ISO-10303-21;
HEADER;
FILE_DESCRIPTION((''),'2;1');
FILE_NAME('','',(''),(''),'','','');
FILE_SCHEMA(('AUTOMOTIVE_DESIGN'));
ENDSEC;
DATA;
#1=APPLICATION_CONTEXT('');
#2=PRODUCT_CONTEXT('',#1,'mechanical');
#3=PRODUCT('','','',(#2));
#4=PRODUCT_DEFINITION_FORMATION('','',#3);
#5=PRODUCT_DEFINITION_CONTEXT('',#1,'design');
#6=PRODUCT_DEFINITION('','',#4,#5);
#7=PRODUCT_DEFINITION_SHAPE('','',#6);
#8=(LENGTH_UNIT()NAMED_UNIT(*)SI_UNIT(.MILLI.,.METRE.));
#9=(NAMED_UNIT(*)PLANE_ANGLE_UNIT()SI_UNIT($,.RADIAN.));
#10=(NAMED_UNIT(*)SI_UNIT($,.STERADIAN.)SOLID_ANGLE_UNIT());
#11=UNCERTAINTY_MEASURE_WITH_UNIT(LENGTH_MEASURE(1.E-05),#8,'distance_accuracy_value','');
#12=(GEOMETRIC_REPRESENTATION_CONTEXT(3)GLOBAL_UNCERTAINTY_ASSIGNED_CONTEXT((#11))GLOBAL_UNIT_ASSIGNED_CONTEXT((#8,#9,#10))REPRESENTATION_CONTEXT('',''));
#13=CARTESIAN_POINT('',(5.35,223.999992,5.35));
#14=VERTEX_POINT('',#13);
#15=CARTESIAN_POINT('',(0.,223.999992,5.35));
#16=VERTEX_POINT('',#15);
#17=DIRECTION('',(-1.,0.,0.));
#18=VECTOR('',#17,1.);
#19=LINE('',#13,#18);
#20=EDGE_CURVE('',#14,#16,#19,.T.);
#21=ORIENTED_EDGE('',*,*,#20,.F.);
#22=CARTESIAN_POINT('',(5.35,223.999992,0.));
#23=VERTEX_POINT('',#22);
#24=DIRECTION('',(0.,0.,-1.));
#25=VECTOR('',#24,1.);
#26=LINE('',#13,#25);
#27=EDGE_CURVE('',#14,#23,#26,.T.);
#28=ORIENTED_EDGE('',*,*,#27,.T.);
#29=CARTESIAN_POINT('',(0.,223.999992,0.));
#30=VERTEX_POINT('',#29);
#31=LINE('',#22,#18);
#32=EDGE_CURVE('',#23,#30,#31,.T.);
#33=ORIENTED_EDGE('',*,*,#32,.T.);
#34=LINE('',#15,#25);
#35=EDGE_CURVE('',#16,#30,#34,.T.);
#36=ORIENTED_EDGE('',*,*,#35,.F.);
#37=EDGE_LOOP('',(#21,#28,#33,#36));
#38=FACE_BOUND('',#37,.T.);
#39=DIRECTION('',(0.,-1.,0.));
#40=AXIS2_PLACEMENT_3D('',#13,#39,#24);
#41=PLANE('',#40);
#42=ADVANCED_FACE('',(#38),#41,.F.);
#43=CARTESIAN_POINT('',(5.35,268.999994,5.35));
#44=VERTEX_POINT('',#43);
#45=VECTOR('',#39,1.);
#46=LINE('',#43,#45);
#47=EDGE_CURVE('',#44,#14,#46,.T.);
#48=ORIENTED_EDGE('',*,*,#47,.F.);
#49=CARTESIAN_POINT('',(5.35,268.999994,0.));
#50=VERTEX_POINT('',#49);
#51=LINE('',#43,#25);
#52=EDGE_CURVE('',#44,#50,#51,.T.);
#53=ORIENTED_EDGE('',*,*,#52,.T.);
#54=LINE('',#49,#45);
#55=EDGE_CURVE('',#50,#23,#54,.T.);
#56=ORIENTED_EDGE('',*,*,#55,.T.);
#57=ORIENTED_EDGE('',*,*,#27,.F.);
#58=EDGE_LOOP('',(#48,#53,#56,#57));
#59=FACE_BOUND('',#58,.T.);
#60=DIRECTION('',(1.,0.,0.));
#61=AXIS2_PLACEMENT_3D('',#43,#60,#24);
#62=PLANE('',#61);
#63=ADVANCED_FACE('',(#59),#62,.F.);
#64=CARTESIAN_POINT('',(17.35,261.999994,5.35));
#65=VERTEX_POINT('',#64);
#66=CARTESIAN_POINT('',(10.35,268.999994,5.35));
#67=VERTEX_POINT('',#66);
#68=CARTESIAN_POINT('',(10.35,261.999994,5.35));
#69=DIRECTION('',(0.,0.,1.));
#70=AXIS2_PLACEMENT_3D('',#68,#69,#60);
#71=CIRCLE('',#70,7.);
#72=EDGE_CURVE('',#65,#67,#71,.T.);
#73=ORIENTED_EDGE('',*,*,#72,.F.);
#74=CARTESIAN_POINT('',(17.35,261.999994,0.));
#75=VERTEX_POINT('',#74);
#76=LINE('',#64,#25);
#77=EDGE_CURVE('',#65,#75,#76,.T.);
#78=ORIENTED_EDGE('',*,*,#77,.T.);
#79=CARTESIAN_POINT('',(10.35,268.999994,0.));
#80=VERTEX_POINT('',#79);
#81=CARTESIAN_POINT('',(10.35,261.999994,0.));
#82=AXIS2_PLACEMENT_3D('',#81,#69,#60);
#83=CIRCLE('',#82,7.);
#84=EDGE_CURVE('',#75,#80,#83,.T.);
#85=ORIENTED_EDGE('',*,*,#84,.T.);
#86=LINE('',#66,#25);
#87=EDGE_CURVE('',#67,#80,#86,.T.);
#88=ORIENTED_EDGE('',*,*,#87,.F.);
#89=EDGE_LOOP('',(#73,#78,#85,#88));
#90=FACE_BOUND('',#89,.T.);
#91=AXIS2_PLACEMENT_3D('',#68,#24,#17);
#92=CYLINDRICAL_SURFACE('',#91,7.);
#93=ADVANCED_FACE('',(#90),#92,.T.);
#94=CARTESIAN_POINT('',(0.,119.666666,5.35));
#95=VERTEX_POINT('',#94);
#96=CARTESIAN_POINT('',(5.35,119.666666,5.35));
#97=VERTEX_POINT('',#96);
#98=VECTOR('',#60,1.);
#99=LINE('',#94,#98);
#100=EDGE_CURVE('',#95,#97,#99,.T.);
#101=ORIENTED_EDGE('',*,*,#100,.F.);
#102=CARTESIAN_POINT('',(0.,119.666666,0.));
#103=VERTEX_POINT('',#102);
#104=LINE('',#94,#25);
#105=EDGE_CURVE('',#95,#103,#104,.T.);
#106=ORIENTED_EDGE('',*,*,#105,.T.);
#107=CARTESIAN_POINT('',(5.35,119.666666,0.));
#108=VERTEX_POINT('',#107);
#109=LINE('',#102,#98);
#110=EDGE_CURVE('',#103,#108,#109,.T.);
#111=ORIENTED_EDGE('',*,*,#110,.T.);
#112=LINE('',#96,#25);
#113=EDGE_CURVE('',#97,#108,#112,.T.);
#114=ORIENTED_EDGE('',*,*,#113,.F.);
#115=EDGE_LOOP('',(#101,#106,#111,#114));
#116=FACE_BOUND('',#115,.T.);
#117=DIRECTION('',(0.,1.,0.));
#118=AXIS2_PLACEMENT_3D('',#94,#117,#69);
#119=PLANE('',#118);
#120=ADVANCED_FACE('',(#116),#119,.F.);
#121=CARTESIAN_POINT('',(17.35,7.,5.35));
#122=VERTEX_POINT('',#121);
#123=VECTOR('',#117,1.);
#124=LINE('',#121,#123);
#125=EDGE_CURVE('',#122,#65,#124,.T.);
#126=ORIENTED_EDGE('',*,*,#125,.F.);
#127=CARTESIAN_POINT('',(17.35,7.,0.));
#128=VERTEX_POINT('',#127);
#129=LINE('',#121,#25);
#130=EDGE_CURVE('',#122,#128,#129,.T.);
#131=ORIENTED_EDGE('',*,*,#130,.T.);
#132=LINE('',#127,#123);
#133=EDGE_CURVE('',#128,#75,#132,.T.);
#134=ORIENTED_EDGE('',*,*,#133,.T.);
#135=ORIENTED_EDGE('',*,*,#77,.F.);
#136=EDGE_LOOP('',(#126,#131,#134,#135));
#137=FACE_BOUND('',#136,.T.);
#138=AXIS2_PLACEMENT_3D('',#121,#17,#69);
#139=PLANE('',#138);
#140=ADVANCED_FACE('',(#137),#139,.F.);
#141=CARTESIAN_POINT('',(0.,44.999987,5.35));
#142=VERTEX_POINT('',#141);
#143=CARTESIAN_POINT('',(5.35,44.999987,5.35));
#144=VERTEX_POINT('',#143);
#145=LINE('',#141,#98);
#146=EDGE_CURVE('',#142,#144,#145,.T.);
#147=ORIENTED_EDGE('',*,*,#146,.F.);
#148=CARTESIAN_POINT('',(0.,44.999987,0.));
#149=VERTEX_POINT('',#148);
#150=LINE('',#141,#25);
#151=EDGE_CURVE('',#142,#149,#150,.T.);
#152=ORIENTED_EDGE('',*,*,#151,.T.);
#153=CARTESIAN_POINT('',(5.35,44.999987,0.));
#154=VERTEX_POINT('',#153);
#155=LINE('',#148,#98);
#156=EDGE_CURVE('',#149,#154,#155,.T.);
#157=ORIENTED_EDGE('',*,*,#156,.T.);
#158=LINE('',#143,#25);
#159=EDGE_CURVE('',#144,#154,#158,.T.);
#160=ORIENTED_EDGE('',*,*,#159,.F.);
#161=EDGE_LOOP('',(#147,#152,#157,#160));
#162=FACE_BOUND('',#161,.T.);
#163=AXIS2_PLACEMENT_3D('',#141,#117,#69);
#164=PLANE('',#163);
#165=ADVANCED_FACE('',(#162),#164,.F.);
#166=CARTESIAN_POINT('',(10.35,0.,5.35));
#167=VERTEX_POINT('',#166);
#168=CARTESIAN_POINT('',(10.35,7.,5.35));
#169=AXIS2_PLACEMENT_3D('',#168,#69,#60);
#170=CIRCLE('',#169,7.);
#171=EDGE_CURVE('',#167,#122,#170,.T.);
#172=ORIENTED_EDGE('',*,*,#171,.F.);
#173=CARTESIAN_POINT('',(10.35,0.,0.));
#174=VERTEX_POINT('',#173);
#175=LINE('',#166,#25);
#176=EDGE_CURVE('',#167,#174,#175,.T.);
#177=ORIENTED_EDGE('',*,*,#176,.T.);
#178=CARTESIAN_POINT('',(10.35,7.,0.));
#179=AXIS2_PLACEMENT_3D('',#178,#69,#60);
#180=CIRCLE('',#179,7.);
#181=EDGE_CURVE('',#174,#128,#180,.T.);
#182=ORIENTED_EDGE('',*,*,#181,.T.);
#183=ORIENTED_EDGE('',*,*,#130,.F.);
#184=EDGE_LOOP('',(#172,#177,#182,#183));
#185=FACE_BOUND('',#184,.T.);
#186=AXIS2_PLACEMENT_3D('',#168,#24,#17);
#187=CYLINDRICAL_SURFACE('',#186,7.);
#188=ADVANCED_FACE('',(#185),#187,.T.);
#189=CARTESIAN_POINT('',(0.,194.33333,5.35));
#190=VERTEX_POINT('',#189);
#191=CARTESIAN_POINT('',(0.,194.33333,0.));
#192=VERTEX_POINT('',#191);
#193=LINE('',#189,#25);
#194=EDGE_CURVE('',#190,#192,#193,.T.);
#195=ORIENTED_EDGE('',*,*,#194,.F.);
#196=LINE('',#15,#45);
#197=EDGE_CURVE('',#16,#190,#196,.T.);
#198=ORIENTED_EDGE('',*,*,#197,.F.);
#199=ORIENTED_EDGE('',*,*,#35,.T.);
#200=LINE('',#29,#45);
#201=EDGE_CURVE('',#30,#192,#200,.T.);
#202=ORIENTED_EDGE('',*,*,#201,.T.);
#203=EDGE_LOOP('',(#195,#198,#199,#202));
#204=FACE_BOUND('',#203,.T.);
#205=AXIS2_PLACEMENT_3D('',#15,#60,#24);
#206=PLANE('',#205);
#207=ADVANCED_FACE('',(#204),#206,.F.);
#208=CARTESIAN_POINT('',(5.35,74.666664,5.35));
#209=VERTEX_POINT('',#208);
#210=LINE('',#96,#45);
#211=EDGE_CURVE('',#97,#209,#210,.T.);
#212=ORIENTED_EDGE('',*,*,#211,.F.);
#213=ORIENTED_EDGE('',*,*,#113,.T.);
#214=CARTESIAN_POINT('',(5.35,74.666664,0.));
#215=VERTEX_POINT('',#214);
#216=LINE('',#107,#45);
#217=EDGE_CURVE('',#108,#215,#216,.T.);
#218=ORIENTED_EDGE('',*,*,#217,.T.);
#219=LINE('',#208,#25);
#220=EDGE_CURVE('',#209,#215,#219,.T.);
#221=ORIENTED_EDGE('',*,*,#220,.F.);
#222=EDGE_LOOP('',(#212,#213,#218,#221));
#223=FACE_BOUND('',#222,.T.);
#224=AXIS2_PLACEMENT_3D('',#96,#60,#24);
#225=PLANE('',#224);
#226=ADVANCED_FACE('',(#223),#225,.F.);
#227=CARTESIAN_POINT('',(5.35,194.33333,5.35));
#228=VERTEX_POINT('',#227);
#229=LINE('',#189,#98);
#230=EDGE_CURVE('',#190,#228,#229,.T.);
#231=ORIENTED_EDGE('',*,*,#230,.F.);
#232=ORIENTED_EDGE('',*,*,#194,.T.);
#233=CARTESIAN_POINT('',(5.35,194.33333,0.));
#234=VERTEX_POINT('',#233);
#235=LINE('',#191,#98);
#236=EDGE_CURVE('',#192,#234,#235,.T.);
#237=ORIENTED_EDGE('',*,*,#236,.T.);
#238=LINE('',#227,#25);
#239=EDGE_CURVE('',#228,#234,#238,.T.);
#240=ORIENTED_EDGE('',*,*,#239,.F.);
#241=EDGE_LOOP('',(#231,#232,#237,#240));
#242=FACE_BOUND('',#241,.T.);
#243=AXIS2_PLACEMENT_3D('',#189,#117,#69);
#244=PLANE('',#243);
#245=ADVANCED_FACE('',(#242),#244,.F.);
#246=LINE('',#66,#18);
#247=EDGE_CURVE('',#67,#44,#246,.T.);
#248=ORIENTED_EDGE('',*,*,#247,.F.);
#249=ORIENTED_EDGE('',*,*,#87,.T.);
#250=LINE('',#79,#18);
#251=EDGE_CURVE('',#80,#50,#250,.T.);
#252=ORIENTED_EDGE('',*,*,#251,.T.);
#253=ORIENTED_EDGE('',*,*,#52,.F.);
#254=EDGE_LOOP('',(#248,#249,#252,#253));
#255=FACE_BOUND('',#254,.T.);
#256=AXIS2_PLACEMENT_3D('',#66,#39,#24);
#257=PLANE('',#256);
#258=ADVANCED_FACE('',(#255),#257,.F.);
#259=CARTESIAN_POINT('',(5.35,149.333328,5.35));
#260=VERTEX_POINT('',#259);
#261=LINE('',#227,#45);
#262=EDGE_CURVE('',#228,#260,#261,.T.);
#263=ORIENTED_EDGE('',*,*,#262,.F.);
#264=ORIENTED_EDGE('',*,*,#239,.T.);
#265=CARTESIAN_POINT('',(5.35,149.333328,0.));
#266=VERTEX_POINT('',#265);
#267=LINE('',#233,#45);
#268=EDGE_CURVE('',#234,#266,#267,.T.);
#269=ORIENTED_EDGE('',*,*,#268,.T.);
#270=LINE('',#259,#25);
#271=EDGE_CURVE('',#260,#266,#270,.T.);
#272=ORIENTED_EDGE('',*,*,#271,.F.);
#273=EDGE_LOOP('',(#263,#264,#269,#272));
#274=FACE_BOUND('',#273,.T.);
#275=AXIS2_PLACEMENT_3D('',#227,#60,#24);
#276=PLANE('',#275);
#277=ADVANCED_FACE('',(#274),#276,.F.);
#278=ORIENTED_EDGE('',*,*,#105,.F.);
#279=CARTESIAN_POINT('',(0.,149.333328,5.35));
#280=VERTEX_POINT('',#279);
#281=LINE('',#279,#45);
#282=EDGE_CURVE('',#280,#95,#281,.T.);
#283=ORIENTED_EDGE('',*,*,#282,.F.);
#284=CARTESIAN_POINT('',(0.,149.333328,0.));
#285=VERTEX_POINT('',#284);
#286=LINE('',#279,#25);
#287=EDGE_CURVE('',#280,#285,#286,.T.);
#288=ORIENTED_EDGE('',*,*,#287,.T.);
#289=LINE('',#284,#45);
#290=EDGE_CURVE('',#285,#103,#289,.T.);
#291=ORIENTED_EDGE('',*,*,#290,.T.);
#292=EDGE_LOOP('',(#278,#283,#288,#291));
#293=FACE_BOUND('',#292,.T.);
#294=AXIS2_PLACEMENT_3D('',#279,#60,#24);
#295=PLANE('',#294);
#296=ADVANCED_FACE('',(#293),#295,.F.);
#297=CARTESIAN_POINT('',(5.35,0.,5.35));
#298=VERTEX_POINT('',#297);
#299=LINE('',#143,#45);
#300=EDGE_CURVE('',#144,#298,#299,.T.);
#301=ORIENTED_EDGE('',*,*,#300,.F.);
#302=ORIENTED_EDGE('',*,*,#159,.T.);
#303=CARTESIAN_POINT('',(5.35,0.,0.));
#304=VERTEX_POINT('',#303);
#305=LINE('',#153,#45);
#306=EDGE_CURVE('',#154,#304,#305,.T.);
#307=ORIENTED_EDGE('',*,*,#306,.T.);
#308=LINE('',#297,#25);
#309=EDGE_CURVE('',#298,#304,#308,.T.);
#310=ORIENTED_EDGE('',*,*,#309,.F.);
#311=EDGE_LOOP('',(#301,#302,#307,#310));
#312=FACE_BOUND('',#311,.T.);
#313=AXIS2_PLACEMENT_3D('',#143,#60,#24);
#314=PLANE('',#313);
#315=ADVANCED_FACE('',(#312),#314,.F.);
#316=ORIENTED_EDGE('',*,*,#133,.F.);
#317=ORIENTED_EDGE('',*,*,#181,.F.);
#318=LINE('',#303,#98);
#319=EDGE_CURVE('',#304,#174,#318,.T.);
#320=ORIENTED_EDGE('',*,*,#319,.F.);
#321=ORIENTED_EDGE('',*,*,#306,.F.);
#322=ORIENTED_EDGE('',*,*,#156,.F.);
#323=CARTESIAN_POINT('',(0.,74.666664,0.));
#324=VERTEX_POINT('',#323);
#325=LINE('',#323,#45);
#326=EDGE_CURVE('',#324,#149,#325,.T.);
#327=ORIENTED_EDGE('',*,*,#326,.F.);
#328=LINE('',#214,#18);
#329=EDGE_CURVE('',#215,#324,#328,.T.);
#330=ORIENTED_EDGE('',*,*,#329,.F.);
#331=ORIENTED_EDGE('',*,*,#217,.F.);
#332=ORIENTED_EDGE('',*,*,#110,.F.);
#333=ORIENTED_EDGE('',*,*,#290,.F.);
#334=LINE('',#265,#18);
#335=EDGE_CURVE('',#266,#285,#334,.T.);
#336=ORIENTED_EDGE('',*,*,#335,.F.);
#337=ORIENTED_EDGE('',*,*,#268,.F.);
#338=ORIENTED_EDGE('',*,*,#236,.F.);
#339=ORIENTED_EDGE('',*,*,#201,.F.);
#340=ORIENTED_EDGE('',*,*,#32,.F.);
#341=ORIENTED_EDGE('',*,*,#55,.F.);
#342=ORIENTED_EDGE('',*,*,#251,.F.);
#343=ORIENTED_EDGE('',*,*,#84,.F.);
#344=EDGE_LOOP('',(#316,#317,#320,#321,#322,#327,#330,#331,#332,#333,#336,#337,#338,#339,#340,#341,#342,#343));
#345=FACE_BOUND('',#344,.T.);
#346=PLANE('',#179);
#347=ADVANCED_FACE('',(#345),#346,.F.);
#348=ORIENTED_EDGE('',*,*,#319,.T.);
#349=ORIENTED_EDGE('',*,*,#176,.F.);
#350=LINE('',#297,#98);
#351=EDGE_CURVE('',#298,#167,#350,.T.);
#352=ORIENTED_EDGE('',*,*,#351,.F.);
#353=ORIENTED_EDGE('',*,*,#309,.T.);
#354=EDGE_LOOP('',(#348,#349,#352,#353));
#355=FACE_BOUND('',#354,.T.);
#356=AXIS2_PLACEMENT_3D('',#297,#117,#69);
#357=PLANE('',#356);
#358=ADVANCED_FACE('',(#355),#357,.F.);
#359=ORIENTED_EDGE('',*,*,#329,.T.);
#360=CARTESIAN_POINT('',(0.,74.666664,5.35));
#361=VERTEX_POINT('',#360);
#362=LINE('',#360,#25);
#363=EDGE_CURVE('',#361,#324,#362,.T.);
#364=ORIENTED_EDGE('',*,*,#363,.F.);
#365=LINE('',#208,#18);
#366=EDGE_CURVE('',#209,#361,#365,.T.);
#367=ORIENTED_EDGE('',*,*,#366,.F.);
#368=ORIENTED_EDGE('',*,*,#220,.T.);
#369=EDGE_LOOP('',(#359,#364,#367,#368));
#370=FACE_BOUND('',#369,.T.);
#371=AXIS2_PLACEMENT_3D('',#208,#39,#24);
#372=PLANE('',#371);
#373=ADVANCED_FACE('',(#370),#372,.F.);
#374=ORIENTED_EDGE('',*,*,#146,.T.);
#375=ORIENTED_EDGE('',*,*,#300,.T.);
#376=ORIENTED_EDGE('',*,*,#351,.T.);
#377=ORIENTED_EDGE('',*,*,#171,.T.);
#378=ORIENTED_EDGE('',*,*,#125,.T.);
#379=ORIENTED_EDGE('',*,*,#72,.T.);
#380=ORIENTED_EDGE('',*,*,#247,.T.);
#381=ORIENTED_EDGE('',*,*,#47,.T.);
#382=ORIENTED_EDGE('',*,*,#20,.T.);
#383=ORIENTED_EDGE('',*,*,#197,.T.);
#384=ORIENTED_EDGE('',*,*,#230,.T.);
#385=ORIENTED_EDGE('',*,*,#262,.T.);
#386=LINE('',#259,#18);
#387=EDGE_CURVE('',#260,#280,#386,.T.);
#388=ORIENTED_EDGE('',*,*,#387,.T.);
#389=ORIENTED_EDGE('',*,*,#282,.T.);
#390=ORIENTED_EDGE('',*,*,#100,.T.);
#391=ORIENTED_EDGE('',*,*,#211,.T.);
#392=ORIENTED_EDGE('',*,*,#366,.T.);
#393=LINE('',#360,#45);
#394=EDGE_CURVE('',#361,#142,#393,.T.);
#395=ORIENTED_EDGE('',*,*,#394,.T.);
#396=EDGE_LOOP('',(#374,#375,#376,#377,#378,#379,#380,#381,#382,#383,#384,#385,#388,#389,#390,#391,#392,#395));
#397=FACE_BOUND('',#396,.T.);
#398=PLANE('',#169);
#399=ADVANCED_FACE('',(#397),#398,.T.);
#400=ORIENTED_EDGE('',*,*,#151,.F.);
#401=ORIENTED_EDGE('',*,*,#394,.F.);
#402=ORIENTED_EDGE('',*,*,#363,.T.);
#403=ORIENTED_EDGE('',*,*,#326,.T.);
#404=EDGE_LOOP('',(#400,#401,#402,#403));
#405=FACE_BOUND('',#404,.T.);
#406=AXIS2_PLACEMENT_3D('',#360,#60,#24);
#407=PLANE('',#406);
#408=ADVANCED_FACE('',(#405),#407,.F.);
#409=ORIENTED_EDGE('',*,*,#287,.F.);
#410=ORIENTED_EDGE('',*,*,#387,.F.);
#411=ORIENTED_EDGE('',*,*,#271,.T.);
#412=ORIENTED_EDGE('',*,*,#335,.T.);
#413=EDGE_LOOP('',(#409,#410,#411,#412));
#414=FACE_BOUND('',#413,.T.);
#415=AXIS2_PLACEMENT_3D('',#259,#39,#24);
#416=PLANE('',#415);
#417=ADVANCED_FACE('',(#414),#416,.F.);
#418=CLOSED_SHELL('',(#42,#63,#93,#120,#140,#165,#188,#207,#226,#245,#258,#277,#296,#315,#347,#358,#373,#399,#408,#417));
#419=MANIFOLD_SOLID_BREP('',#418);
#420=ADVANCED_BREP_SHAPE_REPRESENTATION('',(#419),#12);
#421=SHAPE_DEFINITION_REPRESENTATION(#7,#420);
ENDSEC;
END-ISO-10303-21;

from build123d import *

# Parameters (mm, degrees)
BOSS_EXTRUDE1_DEPTH = 5.35


with BuildPart() as part:
    # Model → Boss-Extrude1 (new body)
    with BuildSketch(Plane.XY):
        with BuildLine():
            Line((10.350000329, 268.999993801), (5.350000225, 268.999993801))
            Line((5.350000225, 268.999993801), (5.350000225, 223.999992013))
            Line((5.350000225, 223.999992013), (0, 223.999992013))
            Line((0, 223.999992013), (0, 194.333329797))
            Line((0, 194.333329797), (5.350000225, 194.333329797))
            Line((5.350000225, 194.333329797), (5.350000225, 149.333328009))
            Line((5.350000225, 149.333328009), (0, 149.333328009))
            Line((0, 149.333328009), (0, 119.666665792))
            Line((0, 119.666665792), (5.350000225, 119.666665792))
            Line((5.350000225, 119.666665792), (5.350000225, 74.666664004))
            Line((5.350000225, 74.666664004), (0, 74.666664004))
            Line((0, 74.666664004), (0, 44.999986887))
            Line((0, 44.999986887), (5.350000225, 44.999986887))
            Line((5.350000225, 44.999986887), (5.350000225, 0))
            Line((5.350000225, 0), (10.350000113, 0))
            ThreePointArc((10.350000113, 0), (15.299747721, 2.050252455), (17.350000329, 7))
            Line((17.350000329, 7), (17.350000329, 261.999993585))
            ThreePointArc((17.350000329, 261.999993585), (15.299747874, 266.949741193), (10.350000329, 268.999993801))
        make_face()
    extrude(amount=BOSS_EXTRUDE1_DEPTH)


solid = part.part
